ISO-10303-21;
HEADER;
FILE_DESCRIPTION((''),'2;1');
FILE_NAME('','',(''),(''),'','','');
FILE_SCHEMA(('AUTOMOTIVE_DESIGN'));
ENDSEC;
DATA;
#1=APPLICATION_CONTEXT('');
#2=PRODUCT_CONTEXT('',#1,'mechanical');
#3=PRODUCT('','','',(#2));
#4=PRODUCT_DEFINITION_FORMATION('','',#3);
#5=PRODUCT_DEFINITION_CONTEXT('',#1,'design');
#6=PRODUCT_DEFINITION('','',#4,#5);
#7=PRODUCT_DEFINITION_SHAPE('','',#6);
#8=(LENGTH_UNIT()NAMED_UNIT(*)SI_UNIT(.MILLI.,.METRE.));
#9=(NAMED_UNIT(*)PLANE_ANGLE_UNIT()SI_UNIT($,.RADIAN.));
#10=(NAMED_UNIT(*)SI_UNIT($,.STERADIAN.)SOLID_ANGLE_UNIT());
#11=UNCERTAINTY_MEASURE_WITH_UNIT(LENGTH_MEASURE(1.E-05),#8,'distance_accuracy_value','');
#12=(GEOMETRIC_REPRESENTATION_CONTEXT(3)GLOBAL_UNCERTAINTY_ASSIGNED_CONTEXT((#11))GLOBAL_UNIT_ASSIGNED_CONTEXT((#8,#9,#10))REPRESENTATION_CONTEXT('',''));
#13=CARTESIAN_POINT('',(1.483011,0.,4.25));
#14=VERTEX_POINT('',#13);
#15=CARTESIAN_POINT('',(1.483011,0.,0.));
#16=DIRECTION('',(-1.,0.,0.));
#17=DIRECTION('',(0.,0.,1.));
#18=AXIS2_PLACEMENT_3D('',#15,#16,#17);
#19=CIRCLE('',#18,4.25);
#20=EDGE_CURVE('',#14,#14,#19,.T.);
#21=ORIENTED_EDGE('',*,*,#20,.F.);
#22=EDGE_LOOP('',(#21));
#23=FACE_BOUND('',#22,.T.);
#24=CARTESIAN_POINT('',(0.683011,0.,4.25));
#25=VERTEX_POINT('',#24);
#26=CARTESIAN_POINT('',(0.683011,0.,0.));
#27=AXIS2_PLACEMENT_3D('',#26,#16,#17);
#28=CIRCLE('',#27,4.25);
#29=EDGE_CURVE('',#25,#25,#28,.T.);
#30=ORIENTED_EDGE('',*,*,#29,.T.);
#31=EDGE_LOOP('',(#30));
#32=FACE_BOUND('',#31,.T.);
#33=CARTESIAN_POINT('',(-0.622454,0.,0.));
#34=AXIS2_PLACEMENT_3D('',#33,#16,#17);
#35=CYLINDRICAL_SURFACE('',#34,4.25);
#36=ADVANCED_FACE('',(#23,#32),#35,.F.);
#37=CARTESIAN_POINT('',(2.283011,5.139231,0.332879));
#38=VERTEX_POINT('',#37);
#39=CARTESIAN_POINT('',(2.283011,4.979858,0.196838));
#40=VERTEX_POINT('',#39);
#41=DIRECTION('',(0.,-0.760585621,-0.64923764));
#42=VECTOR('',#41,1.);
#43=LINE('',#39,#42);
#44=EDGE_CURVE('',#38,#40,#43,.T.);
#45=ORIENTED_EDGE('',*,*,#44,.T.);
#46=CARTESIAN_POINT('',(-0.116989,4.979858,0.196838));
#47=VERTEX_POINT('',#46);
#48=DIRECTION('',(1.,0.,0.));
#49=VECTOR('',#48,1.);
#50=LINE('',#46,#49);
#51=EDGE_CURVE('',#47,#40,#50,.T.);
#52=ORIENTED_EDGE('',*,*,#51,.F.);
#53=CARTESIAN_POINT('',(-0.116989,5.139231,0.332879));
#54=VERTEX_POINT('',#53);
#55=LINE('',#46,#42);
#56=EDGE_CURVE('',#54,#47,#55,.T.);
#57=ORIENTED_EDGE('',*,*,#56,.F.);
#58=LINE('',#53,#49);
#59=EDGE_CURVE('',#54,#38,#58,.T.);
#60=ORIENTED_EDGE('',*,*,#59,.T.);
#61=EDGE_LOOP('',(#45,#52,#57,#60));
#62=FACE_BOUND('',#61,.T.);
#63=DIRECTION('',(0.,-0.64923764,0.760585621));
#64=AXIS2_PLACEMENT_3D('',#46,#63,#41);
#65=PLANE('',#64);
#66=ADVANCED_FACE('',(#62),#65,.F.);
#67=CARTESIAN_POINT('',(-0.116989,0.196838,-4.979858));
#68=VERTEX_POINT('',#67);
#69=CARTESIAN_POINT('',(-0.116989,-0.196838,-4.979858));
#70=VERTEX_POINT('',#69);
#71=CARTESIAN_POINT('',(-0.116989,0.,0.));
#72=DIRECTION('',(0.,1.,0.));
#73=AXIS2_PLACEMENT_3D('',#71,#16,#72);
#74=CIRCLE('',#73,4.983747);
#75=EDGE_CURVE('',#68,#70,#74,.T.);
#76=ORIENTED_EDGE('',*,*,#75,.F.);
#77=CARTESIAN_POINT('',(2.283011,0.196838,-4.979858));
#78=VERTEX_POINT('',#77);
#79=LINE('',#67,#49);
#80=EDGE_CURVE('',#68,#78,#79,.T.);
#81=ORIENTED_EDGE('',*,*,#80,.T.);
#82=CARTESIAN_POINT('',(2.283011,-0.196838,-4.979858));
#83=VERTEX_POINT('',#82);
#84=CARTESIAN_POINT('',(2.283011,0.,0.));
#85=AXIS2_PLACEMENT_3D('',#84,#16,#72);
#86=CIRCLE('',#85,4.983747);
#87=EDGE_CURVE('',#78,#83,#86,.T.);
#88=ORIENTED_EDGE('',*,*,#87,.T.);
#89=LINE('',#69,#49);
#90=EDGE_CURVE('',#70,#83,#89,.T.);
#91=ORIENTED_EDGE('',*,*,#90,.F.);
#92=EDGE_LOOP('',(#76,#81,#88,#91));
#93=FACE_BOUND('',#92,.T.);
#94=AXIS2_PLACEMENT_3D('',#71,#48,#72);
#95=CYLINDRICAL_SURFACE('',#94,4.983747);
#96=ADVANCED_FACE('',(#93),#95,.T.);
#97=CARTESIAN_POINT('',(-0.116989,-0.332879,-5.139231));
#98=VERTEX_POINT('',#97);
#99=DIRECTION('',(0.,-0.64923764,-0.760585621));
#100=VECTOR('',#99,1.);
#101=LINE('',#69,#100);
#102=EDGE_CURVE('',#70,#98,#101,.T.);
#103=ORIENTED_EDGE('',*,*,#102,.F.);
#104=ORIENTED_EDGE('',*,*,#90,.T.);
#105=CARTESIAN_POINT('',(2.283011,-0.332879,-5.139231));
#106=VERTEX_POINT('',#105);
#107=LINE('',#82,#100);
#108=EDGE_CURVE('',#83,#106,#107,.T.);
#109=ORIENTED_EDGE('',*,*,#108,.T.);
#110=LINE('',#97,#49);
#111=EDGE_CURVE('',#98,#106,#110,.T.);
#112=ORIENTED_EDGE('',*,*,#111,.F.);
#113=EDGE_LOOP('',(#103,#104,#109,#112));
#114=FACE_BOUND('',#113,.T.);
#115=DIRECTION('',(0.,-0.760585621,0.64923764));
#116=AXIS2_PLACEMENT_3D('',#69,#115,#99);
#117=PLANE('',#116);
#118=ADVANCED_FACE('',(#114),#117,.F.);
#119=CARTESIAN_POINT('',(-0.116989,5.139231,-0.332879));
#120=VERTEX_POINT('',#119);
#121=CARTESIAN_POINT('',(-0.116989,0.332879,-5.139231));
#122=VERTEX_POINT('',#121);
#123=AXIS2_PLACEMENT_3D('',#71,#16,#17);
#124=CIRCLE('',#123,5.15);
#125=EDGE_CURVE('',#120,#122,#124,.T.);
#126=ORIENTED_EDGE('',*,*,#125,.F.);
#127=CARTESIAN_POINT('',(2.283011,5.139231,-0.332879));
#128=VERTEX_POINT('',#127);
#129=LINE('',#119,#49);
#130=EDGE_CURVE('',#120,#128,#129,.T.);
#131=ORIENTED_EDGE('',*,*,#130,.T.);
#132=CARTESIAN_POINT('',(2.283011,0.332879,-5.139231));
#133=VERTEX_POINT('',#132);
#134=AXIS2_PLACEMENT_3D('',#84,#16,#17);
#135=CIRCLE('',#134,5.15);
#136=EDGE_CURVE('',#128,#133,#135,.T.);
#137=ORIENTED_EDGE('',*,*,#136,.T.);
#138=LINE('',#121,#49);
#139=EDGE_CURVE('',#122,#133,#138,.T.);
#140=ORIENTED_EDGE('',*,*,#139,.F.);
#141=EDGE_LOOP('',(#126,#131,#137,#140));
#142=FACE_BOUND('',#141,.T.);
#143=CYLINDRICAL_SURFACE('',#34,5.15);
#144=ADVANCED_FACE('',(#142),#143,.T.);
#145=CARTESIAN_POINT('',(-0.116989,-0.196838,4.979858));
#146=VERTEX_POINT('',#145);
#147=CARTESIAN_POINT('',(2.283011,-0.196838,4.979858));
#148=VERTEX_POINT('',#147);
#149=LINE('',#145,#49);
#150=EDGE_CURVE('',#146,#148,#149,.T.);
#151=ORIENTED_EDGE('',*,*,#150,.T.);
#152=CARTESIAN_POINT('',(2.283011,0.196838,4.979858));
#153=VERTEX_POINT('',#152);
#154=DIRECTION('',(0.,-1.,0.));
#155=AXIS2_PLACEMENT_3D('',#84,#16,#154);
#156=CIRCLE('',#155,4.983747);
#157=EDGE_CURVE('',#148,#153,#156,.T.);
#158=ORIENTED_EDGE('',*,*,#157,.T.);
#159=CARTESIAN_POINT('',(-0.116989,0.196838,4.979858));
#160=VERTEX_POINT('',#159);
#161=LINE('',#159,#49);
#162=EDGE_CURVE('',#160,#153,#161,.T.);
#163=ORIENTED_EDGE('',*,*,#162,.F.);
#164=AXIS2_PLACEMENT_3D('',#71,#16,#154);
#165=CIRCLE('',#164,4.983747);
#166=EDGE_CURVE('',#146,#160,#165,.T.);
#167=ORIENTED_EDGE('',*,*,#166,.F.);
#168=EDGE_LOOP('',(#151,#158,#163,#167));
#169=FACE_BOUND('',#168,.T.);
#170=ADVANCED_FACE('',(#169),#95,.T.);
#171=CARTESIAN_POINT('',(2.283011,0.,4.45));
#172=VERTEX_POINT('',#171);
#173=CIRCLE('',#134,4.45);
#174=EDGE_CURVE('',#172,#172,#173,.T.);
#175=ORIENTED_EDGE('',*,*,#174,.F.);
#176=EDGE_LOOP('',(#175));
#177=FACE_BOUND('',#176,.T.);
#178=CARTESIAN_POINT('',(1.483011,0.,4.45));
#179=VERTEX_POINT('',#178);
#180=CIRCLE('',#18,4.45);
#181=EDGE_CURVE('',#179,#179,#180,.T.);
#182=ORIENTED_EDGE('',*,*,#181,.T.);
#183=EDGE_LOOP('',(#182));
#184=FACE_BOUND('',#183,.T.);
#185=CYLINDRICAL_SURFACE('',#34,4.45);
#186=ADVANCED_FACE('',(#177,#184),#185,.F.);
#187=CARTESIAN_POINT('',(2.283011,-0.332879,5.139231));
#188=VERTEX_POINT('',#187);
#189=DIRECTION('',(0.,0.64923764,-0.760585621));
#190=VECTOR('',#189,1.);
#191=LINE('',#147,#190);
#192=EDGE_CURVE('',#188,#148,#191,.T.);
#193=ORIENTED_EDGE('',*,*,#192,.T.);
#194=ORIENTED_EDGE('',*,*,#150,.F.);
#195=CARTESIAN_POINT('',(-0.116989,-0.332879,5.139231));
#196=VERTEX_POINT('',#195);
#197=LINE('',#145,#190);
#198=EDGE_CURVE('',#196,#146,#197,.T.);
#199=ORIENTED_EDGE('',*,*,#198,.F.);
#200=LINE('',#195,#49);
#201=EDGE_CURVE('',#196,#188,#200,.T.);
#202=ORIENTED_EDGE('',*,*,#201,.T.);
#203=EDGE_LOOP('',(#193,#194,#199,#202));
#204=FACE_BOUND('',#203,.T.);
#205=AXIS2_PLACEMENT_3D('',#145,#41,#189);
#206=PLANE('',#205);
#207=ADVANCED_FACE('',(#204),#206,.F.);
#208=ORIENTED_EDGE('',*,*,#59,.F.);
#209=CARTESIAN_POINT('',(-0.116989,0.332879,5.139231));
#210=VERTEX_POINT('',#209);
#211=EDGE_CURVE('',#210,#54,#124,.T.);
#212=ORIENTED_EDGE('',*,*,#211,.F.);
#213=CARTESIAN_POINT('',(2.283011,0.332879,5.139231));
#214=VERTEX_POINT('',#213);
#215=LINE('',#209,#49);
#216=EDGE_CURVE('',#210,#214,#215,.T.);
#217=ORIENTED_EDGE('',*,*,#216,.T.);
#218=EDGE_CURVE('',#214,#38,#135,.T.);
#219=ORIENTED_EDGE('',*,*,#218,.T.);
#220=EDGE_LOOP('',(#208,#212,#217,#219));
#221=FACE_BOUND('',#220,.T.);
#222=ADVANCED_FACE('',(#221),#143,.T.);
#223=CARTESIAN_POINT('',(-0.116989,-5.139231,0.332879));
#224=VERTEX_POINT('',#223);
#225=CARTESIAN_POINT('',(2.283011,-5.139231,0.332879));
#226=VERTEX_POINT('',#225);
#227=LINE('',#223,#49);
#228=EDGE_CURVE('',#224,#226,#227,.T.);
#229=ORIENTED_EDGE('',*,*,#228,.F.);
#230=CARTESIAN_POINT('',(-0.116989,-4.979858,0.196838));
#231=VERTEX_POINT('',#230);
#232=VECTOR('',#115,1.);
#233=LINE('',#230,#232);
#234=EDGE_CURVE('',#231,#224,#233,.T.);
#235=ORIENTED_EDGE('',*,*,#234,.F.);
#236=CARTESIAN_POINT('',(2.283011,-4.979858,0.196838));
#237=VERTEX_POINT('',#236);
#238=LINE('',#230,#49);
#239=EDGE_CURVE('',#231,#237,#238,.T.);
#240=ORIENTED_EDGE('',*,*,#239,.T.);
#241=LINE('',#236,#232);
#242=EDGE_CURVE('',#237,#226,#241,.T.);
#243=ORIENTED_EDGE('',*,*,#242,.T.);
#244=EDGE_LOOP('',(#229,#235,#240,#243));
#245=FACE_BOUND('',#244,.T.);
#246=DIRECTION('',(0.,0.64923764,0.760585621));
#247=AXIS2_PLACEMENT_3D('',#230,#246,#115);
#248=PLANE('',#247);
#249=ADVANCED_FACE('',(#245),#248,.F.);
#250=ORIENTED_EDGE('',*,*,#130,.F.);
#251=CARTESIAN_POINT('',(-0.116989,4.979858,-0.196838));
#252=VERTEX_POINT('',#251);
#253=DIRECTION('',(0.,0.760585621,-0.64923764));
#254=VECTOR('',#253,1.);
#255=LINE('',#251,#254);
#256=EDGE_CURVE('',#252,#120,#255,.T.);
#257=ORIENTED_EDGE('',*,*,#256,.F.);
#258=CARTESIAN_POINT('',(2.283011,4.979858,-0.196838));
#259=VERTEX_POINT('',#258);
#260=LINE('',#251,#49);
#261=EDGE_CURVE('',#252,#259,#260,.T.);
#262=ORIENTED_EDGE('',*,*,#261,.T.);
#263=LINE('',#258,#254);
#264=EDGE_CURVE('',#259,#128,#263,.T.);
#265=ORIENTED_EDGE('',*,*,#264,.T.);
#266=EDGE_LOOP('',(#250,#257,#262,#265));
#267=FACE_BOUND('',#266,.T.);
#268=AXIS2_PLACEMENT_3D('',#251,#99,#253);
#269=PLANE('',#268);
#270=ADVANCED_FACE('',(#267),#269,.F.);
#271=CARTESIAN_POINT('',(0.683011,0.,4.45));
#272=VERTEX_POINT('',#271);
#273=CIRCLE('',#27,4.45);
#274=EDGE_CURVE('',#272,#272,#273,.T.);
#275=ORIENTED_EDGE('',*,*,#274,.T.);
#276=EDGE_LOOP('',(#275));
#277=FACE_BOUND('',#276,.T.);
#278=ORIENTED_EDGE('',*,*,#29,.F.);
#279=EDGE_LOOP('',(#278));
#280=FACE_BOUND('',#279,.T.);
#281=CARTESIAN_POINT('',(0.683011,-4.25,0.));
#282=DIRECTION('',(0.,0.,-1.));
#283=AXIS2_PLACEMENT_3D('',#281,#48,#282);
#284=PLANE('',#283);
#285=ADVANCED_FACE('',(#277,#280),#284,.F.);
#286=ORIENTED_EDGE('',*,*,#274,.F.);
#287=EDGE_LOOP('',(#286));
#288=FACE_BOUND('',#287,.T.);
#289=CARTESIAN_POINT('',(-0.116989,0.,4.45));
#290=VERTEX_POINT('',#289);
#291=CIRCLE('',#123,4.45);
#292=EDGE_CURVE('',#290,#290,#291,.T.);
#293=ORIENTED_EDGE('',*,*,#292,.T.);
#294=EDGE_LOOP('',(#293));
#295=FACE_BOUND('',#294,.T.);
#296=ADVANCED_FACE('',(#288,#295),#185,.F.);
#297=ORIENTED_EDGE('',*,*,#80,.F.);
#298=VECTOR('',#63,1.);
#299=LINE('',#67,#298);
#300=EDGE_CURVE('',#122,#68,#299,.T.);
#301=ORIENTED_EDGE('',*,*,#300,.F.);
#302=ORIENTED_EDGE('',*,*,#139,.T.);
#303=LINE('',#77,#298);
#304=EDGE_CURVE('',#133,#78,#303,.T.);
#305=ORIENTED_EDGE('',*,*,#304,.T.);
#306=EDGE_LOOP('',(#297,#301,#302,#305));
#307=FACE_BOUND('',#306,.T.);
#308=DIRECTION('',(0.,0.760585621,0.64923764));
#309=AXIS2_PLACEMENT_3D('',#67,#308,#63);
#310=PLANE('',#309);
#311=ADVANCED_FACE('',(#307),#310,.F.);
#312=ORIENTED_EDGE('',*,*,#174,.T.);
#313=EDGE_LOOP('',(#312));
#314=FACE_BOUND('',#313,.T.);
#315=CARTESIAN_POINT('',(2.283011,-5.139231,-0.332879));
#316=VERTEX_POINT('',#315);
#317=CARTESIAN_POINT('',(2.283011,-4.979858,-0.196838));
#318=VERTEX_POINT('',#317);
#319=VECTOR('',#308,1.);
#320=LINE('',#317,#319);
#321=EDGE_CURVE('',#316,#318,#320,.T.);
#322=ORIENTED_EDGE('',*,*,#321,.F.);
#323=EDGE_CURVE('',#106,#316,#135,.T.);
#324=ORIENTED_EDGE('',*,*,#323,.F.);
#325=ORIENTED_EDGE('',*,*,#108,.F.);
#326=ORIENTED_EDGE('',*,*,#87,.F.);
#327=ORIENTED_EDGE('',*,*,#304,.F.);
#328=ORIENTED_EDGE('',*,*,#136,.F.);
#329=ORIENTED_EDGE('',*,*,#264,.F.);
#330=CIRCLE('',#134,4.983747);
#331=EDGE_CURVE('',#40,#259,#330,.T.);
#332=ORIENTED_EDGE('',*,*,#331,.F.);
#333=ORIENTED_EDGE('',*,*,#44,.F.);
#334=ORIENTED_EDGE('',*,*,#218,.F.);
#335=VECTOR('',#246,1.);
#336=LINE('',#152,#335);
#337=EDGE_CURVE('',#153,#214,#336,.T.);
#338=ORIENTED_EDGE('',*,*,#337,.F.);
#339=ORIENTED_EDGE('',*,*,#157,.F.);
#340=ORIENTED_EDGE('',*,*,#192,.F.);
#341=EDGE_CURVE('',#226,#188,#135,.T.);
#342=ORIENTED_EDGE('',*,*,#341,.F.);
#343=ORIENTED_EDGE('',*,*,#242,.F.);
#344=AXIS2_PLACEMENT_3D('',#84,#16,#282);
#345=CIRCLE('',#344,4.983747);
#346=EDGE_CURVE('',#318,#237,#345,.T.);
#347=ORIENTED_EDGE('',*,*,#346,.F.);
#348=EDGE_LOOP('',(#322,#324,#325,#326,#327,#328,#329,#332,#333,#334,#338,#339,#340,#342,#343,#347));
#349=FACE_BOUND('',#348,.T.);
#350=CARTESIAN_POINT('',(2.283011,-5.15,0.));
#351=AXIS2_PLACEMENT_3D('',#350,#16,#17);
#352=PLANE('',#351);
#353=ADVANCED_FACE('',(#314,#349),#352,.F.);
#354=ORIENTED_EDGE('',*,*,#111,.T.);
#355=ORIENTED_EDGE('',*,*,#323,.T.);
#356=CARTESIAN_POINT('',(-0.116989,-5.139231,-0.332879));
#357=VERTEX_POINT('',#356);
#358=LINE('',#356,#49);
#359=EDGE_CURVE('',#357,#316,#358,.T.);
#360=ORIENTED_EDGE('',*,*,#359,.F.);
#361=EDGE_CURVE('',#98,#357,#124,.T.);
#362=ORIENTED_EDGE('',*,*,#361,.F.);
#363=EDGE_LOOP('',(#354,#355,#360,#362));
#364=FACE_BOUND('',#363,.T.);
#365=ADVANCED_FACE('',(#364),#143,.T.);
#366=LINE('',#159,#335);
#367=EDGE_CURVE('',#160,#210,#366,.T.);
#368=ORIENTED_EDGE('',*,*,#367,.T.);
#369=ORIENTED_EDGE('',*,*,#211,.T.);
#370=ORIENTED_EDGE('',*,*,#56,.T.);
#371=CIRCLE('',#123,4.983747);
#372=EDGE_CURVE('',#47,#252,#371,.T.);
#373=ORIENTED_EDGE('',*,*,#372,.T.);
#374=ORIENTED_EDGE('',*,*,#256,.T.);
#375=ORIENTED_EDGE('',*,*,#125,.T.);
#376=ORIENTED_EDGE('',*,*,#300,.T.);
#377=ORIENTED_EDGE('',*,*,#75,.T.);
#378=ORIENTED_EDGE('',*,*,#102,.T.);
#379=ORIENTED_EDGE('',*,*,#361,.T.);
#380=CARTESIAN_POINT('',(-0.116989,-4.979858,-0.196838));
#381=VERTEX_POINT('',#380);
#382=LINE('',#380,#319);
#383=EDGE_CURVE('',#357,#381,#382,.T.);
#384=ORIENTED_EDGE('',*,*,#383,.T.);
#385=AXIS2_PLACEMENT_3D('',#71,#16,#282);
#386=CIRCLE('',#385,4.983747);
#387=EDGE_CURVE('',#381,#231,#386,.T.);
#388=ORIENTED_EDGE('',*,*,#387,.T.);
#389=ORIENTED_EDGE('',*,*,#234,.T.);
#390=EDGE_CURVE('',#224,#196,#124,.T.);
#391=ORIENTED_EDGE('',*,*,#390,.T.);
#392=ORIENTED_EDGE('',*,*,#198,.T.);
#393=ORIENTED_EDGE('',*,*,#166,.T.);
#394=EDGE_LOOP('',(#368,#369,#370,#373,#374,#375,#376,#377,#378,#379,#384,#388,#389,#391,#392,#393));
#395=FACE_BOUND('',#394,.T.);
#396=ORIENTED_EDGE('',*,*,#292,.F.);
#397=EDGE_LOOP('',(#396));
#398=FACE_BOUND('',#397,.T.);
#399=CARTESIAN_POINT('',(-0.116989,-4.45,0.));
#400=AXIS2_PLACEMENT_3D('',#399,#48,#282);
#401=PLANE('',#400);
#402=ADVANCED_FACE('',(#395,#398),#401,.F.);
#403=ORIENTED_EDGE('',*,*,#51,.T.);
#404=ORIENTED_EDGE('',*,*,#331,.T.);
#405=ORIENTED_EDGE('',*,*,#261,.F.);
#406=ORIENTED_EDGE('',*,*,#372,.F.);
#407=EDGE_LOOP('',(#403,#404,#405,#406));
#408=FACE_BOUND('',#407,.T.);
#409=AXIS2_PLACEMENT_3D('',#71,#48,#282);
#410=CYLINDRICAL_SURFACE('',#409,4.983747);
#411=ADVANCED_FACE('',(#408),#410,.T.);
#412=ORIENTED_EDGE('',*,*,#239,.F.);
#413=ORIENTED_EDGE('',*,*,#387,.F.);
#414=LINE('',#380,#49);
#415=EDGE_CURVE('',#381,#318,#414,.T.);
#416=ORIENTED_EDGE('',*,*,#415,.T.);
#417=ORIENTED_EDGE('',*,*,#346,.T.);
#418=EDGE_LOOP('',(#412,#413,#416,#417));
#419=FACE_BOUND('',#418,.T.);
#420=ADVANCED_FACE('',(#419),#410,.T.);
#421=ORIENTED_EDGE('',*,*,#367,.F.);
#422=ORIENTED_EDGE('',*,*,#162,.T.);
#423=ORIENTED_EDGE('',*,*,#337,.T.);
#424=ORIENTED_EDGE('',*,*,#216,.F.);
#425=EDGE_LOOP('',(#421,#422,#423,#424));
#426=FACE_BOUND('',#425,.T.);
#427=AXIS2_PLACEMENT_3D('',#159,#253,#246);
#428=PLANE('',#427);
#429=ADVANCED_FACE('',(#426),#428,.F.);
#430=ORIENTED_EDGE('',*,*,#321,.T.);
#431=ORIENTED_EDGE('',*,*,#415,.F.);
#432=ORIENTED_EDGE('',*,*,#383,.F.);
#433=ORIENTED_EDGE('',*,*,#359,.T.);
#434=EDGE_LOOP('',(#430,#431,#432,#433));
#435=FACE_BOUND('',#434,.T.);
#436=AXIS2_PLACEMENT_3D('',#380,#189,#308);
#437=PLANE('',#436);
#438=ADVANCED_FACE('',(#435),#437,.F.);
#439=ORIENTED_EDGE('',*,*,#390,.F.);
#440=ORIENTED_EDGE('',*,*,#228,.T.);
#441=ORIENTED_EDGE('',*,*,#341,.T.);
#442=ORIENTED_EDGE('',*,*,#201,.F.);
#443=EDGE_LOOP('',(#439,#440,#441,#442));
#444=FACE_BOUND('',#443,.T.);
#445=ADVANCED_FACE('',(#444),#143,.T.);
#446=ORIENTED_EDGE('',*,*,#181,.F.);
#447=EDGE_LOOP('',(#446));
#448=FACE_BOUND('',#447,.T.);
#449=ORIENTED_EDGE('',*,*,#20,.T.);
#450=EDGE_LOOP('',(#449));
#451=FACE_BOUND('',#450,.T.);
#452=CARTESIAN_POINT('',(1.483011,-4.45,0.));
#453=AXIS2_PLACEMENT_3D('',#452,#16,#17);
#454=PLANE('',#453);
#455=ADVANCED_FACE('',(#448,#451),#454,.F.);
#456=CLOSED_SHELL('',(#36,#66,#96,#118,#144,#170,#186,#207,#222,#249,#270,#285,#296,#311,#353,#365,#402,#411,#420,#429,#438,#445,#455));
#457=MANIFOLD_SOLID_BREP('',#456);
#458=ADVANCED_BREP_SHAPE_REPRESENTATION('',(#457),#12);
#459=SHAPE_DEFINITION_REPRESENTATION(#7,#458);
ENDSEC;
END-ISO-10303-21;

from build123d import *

# Parameters (mm, degrees)
EXTRUS_O4_DEPTH       = 8.668441823
PADR_OCIRCULAR2_COUNT = 4


with BuildPart() as part:
    # Esboço4 → Revolução1 (revolve)
    with BuildSketch(Plane.YX, mode=Mode.PRIVATE) as revolu_o1_sk:
        Polygon((-5.15, -0.116989073), (-5.15, 2.283010927), (-4.45, 2.283010927), (-4.45, 1.483010927), (-4.25, 1.483010927), (-4.25, 0.683010927), (-4.45, 0.683010927), (-4.45, -0.116989073), align=None)
    revolve(revolu_o1_sk.sketch.rotate(Axis((-0.622453524, 0, 0), (1, 0, 0)), 270), axis=Axis((-0.622453524, 0, 0), (1, 0, 0)))

    # Esboço5 → Extrusão4 (cut, through all)
    with BuildSketch(Plane(origin=(2.283010927, 0, 0), x_dir=(0, 0, 1), z_dir=(1, 0, 0))):
        with BuildLine():
            Line((-0.196837681, 4.979857893), (-0.332878645, 5.139230663))
            ThreePointArc((-0.332878645, 5.139230663), (0, 5.15), (0.332878645, 5.139230663))
            Line((0.332878645, 5.139230663), (0.196837681, 4.979857893))
            ThreePointArc((0.196837681, 4.979857893), (0, 4.983746554), (-0.196837681, 4.979857893))
        make_face()
    extrus_o4 = extrude(amount=-EXTRUS_O4_DEPTH, mode=Mode.SUBTRACT)

    # PadrãoCircular2: Extrusão4 ×4 about axis
    padr_ocircular2_axis = Axis((0, 0, 0), (1, 0, 0))
    for i in range(1, PADR_OCIRCULAR2_COUNT):
        add(extrus_o4.rotate(padr_ocircular2_axis, i * 360 / PADR_OCIRCULAR2_COUNT), mode=Mode.SUBTRACT)


solid = part.part
